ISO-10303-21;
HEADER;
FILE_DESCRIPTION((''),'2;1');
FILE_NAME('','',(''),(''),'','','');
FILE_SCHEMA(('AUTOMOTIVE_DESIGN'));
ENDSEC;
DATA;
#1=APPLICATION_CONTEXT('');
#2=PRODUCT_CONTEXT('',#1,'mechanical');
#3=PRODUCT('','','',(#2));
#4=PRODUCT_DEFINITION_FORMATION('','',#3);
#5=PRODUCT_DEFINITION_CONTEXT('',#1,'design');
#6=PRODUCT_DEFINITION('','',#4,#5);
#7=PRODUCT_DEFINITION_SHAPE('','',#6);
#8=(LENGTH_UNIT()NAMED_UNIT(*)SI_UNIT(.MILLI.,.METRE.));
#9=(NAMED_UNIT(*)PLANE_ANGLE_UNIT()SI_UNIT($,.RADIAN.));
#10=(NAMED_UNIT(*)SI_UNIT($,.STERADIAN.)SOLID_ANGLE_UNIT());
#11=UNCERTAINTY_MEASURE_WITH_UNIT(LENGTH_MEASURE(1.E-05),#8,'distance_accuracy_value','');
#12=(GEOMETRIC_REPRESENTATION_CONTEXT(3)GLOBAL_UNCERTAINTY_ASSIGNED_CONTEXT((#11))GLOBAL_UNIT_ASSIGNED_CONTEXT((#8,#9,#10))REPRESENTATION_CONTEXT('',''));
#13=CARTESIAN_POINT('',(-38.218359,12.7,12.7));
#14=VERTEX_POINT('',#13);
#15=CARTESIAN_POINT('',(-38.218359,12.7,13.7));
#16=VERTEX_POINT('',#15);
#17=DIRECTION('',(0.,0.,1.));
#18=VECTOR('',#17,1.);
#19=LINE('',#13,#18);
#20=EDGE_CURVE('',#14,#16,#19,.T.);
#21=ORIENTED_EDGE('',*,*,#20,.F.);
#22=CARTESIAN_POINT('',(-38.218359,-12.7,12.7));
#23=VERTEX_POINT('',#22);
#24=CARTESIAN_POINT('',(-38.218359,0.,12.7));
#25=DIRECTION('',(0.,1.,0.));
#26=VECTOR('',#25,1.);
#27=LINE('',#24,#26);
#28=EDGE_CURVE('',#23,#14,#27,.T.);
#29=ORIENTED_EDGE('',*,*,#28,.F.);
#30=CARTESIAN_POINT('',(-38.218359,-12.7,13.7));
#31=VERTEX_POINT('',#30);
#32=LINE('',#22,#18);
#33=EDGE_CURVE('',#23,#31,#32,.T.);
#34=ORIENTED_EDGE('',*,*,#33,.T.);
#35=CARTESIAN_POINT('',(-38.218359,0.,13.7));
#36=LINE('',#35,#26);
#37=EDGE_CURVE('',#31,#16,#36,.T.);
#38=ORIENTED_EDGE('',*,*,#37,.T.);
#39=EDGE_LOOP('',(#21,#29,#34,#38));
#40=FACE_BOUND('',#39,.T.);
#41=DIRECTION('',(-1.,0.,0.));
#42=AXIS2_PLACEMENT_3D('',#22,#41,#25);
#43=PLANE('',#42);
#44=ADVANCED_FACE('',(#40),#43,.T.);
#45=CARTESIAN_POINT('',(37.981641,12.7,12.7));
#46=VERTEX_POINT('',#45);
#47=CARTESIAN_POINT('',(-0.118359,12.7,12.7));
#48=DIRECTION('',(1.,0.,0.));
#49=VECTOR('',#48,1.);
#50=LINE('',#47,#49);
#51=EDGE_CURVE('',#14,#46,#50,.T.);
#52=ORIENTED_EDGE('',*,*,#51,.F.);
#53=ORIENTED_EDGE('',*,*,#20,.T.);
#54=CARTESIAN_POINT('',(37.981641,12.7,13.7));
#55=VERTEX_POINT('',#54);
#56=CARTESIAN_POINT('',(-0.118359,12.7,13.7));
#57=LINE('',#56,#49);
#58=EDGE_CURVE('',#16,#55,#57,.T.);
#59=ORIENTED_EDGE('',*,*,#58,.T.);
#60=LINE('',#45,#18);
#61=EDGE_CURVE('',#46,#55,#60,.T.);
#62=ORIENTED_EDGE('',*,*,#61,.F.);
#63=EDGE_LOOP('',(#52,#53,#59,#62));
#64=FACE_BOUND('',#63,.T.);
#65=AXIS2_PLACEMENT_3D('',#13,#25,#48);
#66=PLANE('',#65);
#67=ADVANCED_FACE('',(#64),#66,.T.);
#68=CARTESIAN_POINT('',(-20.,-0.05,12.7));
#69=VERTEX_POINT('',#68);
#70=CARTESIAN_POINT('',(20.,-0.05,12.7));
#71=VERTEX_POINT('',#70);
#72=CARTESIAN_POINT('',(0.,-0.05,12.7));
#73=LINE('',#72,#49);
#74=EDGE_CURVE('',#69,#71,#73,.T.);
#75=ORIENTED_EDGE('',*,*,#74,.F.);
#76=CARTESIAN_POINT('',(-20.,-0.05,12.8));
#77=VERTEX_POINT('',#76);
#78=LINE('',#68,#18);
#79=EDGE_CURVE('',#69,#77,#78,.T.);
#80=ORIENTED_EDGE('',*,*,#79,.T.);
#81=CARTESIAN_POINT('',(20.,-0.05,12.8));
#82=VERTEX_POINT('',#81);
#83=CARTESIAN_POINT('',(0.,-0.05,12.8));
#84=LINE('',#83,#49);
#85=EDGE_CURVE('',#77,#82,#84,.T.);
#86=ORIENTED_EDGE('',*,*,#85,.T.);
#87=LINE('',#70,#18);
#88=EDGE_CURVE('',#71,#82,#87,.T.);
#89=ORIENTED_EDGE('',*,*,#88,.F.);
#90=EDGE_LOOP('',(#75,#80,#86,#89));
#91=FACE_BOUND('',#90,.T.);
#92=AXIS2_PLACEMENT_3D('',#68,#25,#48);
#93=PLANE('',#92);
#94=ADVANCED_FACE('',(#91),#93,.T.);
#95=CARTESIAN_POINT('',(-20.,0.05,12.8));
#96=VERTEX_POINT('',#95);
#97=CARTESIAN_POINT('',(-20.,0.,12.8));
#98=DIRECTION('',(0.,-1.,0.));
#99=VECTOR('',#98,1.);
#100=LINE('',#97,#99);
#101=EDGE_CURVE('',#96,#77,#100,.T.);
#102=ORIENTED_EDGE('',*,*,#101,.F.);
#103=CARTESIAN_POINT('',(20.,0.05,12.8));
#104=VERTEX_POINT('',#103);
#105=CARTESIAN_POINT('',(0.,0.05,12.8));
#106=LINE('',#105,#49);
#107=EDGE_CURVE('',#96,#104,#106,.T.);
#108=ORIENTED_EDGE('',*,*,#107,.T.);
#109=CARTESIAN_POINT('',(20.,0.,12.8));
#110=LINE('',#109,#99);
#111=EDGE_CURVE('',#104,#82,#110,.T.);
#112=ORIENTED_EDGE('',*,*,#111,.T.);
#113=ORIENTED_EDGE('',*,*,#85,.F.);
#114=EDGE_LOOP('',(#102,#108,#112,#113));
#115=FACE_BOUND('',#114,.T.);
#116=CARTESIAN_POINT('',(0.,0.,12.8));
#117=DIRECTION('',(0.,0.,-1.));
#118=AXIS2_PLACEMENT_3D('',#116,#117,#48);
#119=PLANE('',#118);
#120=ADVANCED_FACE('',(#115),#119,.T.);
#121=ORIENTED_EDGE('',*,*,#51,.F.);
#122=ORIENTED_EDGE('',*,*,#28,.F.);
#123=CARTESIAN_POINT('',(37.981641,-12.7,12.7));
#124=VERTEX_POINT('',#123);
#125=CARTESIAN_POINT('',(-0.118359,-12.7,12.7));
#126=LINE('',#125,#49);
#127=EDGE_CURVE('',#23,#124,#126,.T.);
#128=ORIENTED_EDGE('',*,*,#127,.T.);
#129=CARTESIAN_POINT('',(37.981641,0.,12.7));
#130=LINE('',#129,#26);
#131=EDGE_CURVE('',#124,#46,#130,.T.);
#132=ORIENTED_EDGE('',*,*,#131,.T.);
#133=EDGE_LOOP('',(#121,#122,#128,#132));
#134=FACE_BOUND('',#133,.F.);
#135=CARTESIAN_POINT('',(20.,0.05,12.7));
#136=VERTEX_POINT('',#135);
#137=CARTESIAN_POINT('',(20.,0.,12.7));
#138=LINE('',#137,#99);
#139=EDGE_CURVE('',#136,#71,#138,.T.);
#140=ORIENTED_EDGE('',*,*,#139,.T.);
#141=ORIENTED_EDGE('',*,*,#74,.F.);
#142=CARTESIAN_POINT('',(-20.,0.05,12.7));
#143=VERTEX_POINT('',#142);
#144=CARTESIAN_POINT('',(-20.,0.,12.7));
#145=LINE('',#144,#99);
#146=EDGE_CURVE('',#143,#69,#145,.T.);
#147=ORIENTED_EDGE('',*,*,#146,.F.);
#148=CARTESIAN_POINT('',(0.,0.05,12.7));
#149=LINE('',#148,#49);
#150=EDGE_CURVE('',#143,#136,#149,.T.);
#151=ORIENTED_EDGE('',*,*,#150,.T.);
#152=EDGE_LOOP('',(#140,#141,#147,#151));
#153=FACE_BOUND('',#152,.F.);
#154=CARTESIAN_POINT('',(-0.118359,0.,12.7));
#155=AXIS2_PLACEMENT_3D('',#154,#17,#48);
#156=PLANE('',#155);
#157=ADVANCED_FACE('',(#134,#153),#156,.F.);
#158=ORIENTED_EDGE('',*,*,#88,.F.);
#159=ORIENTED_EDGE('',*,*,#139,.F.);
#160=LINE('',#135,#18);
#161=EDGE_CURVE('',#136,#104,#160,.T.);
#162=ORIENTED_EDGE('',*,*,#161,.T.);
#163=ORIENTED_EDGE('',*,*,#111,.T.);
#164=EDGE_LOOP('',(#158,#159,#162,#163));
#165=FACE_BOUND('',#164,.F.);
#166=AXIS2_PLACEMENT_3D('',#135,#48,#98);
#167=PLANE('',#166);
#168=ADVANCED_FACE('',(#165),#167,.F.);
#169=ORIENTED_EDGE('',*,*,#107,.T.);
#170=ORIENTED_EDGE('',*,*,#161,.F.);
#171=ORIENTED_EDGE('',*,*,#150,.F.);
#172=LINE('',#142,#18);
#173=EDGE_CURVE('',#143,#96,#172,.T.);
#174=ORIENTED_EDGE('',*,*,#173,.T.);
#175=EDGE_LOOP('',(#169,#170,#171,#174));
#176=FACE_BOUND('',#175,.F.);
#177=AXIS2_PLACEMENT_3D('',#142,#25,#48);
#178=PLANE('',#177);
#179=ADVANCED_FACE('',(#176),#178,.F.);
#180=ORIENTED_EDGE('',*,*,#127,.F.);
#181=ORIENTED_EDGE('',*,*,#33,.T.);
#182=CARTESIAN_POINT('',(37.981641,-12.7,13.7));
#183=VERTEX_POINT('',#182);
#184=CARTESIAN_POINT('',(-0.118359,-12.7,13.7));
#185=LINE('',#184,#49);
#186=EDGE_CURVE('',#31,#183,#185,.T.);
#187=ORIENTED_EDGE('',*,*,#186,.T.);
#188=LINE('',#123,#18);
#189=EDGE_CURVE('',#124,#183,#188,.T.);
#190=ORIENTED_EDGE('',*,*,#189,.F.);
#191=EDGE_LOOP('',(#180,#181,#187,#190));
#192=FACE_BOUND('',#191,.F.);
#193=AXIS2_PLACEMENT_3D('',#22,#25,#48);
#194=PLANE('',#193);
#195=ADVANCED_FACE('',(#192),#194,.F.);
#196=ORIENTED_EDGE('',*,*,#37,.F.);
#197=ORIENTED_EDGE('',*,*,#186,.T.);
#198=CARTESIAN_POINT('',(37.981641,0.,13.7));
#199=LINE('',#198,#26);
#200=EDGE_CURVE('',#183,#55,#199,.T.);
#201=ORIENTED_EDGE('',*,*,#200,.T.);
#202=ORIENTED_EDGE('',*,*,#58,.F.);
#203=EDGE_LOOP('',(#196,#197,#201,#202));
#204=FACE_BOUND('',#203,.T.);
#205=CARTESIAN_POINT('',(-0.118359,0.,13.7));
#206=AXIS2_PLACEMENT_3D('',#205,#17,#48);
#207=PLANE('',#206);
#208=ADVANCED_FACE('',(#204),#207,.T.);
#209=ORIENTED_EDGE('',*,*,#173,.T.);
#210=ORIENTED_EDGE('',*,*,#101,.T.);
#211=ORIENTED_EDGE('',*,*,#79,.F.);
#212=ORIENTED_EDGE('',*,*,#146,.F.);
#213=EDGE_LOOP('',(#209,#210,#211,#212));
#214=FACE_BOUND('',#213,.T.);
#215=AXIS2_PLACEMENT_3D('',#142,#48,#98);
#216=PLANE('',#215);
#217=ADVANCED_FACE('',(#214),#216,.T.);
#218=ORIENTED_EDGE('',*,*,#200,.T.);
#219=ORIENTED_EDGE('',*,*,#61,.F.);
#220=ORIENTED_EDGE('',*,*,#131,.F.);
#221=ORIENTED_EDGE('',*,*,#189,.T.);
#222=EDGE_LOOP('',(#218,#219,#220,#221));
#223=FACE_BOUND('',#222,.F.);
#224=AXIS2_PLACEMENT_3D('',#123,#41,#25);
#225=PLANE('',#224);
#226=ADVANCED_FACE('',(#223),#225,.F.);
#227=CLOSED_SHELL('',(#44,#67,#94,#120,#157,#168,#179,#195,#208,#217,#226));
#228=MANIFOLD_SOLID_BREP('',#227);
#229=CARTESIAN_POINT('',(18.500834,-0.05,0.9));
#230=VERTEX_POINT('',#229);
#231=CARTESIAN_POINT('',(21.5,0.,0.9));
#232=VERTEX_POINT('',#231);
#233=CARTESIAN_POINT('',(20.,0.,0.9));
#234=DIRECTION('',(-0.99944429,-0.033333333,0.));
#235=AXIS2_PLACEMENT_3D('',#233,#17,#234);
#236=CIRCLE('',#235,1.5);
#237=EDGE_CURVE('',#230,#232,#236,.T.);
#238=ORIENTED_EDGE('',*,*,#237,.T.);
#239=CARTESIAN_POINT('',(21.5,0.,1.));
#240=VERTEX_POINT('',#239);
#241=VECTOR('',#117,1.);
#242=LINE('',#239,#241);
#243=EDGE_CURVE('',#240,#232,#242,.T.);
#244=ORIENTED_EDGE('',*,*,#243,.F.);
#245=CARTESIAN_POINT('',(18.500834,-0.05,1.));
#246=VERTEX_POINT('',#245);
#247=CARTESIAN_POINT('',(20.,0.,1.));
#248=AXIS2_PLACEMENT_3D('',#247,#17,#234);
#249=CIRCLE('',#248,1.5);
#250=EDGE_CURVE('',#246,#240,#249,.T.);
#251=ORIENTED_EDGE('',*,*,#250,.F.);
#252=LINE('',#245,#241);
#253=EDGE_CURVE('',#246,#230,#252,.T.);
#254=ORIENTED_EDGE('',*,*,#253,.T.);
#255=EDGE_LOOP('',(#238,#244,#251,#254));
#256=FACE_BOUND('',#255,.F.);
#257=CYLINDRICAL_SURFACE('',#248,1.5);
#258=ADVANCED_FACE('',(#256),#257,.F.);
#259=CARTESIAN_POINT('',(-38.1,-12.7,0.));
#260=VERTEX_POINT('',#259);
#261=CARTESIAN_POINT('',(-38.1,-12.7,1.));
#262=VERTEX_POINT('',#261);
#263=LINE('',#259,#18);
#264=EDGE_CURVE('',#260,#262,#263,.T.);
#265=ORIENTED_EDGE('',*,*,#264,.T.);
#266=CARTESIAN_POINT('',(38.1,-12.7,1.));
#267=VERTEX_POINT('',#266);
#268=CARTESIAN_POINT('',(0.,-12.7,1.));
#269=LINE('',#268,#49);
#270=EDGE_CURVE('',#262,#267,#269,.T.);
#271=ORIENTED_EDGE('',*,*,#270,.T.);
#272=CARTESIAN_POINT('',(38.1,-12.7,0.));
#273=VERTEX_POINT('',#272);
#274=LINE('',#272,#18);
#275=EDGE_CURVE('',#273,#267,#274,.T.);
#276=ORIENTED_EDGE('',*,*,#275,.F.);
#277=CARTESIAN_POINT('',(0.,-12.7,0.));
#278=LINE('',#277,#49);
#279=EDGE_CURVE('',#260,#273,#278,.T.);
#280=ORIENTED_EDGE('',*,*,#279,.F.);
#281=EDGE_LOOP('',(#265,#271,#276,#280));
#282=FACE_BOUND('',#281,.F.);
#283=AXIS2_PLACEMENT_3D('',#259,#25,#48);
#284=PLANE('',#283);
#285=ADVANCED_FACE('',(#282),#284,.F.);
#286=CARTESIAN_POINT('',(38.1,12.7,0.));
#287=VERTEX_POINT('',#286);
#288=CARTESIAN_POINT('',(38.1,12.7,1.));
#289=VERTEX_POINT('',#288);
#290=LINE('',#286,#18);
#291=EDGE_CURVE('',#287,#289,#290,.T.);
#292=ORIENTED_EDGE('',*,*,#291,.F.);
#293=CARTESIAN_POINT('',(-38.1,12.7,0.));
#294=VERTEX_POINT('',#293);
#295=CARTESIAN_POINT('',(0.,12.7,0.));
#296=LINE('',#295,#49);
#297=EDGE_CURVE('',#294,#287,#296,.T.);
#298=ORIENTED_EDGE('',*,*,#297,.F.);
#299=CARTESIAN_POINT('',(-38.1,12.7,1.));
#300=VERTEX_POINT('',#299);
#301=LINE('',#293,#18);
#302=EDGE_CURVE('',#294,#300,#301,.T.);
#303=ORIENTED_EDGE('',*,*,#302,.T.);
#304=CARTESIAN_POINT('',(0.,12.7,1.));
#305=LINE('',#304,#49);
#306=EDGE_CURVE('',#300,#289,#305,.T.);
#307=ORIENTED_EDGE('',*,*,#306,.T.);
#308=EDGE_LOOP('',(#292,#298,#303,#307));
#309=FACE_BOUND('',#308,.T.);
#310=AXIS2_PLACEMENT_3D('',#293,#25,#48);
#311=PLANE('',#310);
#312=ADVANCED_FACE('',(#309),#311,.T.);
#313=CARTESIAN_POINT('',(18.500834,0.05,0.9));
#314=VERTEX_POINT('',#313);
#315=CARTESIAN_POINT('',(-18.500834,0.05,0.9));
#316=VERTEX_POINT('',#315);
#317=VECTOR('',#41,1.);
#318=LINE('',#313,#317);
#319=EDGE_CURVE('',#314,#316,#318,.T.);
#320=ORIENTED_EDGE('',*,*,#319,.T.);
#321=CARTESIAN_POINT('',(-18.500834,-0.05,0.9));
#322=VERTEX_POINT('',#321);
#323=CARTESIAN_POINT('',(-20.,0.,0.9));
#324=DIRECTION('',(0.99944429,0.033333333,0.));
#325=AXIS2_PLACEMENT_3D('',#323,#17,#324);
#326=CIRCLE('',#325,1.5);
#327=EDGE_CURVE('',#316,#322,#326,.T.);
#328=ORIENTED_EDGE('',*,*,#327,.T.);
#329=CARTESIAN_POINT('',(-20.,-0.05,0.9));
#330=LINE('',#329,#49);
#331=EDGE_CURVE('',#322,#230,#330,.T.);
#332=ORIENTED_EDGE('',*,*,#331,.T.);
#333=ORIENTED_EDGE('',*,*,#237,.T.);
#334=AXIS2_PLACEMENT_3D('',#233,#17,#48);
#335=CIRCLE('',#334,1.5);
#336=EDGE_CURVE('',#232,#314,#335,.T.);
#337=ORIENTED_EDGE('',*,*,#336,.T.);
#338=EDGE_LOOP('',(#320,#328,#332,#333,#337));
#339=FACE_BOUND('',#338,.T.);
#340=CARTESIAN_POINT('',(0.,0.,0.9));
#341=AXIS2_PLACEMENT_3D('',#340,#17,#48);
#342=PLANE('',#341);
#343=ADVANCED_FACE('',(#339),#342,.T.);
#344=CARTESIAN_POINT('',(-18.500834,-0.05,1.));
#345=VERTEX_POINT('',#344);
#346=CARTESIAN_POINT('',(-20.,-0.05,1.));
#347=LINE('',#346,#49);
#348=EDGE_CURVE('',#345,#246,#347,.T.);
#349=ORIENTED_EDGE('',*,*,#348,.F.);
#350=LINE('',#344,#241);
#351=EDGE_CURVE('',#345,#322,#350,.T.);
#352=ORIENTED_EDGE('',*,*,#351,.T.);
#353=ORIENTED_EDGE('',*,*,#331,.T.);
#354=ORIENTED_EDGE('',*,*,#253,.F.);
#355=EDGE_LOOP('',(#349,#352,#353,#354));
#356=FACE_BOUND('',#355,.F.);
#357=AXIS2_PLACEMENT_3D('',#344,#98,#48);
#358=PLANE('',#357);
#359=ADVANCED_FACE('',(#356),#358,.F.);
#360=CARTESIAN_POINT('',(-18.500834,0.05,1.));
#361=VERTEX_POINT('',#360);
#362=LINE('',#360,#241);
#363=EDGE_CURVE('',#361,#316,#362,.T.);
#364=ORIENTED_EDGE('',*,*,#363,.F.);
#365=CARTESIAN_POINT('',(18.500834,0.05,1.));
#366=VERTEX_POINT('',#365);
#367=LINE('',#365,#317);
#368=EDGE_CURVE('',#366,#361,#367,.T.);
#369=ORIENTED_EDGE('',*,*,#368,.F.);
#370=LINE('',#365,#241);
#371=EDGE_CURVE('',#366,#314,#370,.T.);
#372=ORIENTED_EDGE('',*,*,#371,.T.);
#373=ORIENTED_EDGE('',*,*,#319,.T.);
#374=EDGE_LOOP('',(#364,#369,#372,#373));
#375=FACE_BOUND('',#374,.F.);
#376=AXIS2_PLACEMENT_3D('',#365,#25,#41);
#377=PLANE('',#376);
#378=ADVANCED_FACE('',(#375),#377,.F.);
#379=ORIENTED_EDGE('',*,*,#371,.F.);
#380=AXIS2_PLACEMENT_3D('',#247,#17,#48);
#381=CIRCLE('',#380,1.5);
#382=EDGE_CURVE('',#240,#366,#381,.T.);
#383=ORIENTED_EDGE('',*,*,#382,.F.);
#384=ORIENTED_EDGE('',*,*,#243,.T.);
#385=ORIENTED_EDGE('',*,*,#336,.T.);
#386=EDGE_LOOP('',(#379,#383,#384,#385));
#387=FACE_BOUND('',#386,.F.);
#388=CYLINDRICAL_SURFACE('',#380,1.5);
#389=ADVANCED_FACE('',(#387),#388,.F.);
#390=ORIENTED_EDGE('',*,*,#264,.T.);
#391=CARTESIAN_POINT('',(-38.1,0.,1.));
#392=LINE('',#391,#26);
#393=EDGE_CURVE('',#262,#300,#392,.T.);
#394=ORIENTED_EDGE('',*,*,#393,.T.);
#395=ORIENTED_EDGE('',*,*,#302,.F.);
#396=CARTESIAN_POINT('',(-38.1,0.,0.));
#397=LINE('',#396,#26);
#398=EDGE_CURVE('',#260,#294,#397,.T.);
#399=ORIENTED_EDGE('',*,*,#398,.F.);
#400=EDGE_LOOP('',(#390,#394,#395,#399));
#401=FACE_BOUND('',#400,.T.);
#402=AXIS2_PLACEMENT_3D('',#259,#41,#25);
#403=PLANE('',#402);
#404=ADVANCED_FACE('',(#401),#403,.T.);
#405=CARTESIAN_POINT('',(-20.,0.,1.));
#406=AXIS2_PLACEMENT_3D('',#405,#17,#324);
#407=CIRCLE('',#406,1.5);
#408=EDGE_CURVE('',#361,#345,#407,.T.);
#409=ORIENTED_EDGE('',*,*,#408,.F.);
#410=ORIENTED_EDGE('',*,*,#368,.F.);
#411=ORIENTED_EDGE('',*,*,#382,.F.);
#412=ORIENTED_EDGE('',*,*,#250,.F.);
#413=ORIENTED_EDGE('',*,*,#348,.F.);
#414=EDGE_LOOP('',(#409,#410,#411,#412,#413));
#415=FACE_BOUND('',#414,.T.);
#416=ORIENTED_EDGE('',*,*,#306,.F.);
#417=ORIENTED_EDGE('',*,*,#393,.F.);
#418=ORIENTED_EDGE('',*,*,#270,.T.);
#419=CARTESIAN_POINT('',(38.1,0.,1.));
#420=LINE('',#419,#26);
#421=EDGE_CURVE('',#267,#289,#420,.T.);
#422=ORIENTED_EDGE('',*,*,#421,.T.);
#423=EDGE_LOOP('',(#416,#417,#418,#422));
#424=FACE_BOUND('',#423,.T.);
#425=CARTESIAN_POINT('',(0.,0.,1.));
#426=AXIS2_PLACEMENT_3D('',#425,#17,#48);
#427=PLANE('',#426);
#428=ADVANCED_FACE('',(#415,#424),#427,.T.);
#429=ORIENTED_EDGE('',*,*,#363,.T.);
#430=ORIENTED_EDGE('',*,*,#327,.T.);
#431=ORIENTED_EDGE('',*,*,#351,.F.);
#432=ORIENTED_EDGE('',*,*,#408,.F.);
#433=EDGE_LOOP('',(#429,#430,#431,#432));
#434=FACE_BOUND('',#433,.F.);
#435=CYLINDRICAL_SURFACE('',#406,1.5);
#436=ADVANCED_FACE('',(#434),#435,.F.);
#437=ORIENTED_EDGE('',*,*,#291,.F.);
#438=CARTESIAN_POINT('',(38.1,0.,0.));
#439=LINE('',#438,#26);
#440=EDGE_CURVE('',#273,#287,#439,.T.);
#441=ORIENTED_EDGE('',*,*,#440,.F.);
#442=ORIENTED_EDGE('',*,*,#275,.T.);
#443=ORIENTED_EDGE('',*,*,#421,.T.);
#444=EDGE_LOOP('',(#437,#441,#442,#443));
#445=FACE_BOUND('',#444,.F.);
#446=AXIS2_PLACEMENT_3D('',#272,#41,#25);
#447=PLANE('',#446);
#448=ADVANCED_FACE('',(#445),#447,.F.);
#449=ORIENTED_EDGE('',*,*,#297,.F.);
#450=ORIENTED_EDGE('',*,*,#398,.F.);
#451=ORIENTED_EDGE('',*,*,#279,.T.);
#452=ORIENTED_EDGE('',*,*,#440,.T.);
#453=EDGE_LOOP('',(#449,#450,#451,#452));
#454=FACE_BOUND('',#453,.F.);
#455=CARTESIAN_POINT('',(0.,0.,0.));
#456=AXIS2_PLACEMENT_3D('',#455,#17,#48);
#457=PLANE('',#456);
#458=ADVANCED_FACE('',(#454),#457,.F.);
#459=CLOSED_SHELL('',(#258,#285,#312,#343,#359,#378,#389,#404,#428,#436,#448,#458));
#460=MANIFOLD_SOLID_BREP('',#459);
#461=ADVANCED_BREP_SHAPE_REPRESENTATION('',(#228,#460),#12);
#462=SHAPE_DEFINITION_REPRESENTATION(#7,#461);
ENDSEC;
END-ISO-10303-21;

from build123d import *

# Parameters (mm, degrees)
F0_W     = 76.2
F0_H     = 25.4
F1_DEPTH = 1
F3_DEPTH = 0.1
F5_W     = 76.2
F5_H     = 25.4
F6_DEPTH = 1
F7_W     = 40
F7_H     = 0.1
F8_DEPTH = 0.1


with BuildPart() as f1:
    # F0 (on Top) → F1 (new body)
    with BuildSketch(Plane.XY):
        Rectangle(F0_W, F0_H)
    extrude(amount=F1_DEPTH)

    # F2 (on face) → F3 (cut)
    with BuildSketch(Plane.XY.offset(1)):
        with BuildLine():
            ThreePointArc((18.5008335649, -0.05), (18.5, 0), (18.5008335649, 0.05))
            Line((18.5008335649, 0.05), (-18.5008335649, 0.05))
            ThreePointArc((-18.5008335649, 0.05), (-18.5002084057, 0.0250034739), (-18.5, 0))
            ThreePointArc((-18.5, 0), (-18.5002084057, -0.0250034739), (-18.5008335649, -0.05))
            Line((-18.5008335649, -0.05), (18.5008335649, -0.05))
        make_face()
        with BuildLine():
            ThreePointArc((-18.5, 0), (-18.5002084057, 0.0250034739), (-18.5008335649, 0.05))
            Line((-18.5008335649, 0.05), (-20, 0.05))
            Line((-20, 0.05), (-20, -0.05))
            Line((-20, -0.05), (-18.5008335649, -0.05))
            ThreePointArc((-18.5008335649, -0.05), (-18.5002084057, -0.0250034739), (-18.5, 0))
        make_face()
        with BuildLine():
            Line((-20, 0.05), (-18.5008335649, 0.05))
            ThreePointArc((-18.5008335649, 0.05), (-21.5, 0), (-18.5008335649, -0.05))
            Line((-18.5008335649, -0.05), (-20, -0.05))
            Line((-20, -0.05), (-20, 0.05))
        make_face()
        with BuildLine():
            Line((18.5008335649, 0.05), (20, 0.05))
            Line((20, 0.05), (20, -0.05))
            Line((20, -0.05), (18.5008335649, -0.05))
            ThreePointArc((18.5008335649, -0.05), (20.0250034739, -1.4997915943), (21.5, 0))
            ThreePointArc((21.5, 0), (20.0250034739, 1.4997915943), (18.5008335649, 0.05))
        make_face()
        with BuildLine():
            Line((20, -0.05), (20, 0.05))
            Line((20, 0.05), (18.5008335649, 0.05))
            ThreePointArc((18.5008335649, 0.05), (18.5, 0), (18.5008335649, -0.05))
            Line((18.5008335649, -0.05), (20, -0.05))
        make_face()
    extrude(amount=-F3_DEPTH, mode=Mode.SUBTRACT)


with BuildPart() as f6:
    # F5 (on offset) → F6 (new body)
    with BuildSketch(Plane.XY.offset(12.7)):
        with Locations((-0.1183587592, -1.746e-07)):
            Rectangle(F5_W, F5_H)
    extrude(amount=F6_DEPTH)

    # F7 (on face) → F8 (cut)
    with BuildSketch(Plane(origin=(0, 0, 12.7), x_dir=(1, 0, 0), z_dir=(0, 0, -1))):
        Rectangle(F7_W, F7_H)
    extrude(amount=-F8_DEPTH, mode=Mode.SUBTRACT)


solid = Compound([f1.part, f6.part])
